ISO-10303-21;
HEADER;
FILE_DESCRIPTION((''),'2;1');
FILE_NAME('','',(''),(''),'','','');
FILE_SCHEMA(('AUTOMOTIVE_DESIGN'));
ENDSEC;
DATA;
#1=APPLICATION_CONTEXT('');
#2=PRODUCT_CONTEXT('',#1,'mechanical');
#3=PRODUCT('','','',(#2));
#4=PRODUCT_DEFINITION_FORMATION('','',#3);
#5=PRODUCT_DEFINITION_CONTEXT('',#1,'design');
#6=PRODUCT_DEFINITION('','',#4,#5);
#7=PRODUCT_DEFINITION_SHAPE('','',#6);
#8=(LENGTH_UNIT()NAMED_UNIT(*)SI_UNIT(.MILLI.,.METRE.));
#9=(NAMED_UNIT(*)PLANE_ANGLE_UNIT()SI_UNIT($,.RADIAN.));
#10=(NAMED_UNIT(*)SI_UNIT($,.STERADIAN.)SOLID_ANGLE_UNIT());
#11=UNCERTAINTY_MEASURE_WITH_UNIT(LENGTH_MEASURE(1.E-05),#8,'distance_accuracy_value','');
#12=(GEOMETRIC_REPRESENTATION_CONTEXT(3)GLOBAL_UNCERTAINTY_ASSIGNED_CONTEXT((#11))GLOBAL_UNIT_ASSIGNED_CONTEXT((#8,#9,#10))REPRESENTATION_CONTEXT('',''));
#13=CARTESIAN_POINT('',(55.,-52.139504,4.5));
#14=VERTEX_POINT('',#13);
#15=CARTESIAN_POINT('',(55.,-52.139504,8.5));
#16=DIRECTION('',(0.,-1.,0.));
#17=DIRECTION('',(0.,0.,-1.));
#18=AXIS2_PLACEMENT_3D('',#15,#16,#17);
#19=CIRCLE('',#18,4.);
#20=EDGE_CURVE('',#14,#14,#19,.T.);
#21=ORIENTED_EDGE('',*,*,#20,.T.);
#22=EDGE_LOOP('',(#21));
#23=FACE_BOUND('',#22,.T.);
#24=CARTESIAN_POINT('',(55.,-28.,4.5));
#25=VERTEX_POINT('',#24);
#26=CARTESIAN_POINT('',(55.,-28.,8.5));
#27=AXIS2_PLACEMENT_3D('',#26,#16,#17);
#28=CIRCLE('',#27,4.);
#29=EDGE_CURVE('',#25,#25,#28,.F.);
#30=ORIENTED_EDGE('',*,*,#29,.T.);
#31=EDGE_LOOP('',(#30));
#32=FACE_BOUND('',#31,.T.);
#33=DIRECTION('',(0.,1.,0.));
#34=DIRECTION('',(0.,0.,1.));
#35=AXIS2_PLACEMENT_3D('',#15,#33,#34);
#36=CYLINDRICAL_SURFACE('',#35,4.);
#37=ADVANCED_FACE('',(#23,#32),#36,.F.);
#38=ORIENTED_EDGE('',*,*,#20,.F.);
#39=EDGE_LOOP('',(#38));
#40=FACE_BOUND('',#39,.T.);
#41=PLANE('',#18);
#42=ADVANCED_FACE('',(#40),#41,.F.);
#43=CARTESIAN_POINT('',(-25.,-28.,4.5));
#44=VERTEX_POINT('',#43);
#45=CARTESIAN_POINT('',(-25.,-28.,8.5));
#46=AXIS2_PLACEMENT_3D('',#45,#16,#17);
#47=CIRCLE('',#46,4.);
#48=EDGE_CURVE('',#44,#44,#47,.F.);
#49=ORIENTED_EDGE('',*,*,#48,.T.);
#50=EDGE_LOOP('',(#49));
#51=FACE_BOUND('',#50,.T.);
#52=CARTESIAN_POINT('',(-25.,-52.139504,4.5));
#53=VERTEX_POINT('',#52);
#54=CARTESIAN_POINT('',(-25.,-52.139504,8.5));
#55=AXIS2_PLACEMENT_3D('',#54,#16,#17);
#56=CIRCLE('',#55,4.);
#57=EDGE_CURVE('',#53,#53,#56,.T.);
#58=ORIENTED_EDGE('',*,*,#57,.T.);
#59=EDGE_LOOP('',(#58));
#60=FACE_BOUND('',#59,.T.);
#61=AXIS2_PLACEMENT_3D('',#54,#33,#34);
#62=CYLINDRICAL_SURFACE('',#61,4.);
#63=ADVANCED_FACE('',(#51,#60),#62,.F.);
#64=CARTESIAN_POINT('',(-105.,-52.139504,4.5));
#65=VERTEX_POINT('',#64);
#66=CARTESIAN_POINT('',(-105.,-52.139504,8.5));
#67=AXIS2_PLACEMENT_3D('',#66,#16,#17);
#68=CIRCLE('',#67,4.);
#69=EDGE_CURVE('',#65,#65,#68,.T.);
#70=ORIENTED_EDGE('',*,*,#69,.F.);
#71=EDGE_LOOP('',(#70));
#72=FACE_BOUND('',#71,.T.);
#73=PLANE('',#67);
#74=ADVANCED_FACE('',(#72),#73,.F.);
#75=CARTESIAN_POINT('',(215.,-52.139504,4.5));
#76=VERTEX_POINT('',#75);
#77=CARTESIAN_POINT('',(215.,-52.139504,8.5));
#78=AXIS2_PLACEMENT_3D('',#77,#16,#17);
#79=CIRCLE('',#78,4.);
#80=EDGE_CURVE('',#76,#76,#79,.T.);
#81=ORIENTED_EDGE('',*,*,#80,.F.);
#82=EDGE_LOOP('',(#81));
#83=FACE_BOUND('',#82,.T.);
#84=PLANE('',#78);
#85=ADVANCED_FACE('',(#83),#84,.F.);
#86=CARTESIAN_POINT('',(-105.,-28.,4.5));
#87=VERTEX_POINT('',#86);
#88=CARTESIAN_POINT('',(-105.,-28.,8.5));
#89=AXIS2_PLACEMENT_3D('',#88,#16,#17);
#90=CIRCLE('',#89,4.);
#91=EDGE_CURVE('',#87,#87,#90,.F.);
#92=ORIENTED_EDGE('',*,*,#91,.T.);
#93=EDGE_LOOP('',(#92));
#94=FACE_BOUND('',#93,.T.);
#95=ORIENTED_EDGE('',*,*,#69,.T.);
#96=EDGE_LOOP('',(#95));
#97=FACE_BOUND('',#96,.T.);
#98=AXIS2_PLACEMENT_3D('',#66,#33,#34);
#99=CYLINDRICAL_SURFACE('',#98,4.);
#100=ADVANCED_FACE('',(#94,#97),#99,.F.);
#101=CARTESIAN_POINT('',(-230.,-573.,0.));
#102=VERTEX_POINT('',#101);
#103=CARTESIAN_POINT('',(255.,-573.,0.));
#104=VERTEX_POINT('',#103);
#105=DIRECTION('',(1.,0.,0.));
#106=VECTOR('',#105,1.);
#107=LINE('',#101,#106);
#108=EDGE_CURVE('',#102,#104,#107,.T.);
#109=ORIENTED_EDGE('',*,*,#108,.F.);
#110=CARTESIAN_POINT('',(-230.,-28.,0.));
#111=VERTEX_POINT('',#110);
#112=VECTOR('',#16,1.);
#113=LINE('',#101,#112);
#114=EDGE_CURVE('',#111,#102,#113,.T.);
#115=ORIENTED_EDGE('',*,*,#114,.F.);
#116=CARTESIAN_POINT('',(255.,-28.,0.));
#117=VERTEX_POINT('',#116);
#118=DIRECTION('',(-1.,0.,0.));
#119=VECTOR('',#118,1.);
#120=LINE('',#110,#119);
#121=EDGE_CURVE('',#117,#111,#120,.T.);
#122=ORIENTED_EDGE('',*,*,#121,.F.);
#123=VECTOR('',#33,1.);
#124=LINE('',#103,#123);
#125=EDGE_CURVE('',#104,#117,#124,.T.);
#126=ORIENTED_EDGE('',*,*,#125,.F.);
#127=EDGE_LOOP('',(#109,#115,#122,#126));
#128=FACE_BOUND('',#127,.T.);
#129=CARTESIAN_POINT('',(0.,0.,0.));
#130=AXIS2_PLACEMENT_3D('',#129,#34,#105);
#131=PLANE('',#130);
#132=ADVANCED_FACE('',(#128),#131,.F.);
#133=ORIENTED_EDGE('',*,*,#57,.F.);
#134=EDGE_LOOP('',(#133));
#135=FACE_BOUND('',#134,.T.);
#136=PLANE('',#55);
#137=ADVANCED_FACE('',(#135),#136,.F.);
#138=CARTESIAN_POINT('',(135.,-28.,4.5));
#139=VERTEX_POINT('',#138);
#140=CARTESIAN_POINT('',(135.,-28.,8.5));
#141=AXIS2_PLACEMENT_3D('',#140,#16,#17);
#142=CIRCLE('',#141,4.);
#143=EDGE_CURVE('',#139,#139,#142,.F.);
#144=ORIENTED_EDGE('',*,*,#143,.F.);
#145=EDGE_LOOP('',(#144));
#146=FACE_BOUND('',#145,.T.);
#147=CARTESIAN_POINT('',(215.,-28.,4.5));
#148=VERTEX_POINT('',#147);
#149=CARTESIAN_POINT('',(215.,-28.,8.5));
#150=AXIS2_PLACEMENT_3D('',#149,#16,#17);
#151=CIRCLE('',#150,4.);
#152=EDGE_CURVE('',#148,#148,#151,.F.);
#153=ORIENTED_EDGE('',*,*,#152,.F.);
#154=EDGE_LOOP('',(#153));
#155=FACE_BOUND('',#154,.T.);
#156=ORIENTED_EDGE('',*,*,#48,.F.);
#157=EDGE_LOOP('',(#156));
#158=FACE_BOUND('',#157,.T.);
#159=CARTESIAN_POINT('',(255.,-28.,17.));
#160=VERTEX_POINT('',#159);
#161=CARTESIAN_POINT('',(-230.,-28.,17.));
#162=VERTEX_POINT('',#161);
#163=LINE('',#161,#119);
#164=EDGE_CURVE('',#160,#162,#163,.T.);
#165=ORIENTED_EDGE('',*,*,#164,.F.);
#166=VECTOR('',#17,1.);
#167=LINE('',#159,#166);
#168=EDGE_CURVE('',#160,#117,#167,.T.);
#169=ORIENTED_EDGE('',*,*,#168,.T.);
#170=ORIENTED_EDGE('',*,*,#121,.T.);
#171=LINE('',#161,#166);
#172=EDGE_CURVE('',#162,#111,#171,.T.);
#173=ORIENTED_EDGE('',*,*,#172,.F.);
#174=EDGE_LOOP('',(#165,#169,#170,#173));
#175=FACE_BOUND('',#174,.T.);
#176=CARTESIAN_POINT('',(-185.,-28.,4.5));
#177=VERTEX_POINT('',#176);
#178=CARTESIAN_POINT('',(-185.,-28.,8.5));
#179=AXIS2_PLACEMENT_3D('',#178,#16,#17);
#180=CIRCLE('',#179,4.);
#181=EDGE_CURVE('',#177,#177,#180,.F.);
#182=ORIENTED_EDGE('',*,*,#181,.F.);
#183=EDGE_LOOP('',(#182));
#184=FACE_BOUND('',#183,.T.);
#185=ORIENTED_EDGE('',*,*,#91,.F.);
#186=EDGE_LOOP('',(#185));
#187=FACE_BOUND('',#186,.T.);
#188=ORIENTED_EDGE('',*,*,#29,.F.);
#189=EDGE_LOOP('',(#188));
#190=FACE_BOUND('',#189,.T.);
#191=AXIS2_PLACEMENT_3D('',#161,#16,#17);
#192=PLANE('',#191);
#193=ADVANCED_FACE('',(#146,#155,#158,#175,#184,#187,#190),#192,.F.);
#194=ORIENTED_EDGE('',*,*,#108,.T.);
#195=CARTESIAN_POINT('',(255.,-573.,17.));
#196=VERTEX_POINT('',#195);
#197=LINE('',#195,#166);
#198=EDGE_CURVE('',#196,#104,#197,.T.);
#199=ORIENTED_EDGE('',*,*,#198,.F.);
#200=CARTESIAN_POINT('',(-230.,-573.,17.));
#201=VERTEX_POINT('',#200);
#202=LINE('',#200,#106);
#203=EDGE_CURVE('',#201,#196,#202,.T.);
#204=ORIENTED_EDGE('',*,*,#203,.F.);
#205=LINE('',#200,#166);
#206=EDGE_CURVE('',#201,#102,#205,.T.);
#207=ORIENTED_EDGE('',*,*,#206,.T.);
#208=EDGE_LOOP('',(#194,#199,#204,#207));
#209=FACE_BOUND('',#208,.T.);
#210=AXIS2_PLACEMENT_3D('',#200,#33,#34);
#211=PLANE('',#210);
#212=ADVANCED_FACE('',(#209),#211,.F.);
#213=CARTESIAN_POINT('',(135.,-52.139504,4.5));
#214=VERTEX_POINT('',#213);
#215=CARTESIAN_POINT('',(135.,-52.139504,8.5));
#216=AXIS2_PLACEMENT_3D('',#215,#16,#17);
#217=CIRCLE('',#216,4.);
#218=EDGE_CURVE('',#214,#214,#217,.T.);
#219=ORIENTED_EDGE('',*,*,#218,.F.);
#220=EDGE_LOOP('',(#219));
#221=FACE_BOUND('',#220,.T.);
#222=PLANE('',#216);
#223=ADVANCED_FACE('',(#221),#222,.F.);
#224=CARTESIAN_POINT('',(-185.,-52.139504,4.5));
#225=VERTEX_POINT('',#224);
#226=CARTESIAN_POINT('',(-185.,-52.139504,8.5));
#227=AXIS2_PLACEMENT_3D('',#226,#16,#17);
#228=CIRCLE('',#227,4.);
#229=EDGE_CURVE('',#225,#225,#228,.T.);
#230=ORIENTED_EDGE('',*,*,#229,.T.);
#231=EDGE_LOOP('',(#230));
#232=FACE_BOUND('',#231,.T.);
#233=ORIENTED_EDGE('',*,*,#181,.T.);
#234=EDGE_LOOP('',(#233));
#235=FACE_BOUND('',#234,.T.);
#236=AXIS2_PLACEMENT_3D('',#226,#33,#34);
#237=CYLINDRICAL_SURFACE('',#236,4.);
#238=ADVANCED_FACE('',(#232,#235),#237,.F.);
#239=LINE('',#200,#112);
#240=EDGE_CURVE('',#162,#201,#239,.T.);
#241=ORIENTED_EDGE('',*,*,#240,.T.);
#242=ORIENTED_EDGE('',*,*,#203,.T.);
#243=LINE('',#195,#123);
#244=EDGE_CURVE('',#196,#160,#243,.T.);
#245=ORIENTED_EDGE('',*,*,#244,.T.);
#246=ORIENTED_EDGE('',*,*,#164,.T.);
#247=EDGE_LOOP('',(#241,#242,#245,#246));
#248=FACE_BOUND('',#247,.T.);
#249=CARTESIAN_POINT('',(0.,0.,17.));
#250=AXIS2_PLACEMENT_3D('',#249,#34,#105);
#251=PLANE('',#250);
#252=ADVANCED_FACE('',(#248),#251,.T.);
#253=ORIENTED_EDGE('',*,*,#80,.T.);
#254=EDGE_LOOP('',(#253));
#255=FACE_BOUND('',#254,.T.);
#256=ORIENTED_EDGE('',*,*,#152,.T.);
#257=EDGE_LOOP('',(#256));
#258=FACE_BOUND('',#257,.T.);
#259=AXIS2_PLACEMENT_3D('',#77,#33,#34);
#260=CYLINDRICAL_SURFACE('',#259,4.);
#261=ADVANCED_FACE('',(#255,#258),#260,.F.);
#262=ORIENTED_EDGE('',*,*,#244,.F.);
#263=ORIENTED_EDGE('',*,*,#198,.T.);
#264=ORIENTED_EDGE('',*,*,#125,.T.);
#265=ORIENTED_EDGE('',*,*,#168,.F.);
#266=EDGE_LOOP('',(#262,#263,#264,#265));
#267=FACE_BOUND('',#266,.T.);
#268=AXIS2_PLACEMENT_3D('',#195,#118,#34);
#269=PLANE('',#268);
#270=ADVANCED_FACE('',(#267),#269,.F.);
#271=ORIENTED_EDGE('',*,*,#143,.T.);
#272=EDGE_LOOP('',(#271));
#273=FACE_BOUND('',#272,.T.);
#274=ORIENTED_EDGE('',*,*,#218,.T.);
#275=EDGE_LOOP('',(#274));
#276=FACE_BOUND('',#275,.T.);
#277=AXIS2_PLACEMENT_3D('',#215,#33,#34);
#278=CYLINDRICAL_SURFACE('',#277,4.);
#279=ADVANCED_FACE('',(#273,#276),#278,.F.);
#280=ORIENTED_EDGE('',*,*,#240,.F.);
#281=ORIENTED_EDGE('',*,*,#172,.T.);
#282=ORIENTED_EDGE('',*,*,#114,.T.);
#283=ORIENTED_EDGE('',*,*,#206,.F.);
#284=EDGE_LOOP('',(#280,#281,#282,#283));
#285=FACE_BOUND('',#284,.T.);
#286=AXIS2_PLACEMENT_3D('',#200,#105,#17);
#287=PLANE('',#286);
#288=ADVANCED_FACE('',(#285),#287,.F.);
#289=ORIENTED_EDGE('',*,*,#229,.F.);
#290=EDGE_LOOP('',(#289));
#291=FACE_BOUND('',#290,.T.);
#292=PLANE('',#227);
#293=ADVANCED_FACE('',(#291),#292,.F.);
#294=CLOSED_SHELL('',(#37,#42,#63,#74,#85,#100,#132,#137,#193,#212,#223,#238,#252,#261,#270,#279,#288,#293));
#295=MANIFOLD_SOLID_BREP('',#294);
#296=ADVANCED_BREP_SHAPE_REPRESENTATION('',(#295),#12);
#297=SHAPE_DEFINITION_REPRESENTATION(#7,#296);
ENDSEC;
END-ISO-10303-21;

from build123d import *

# Parameters (mm, degrees)
SKETCH1_W               = 485
SKETCH1_H               = 545
BOSS_EXTRUDE1_DEPTH     = 17
CUT_EXTRUDE3_DEPTH      = 25
CUT_EXTRUDE3_DEPTH_BACK = 13
SKETCH4_R               = 4


with BuildPart() as part:
    # Sketch1 → Boss-Extrude1 (new body)
    with BuildSketch(Plane.XY):
        with Locations((12.5, -300.5)):
            Rectangle(SKETCH1_W, SKETCH1_H)
    extrude(amount=BOSS_EXTRUDE1_DEPTH)

    # Sketch4 → Cut-Extrude3 (cut, two sides: drawn at the far end of the back side and taken through both)
    with BuildSketch(Plane(origin=(5, -27.139504096, 249), x_dir=(0, 0, 1), z_dir=(0, -1, 0)).offset(-CUT_EXTRUDE3_DEPTH_BACK)):
        with Locations(Location((-240.5, -210, 0), (0, 0, 180))):
            Circle(SKETCH4_R)
        with Locations(Location((-240.5, -130, 0), (0, 0, 180))):
            Circle(SKETCH4_R)
        with Locations(Location((-240.5, -50, 0), (0, 0, 180))):
            Circle(SKETCH4_R)
        with Locations(Location((-240.5, 30, 0), (0, 0, 180))):
            Circle(SKETCH4_R)
        with Locations(Location((-240.5, 110, 0), (0, 0, 180))):
            Circle(SKETCH4_R)
        with Locations(Location((-240.5, 190, 0), (0, 0, 180))):
            Circle(SKETCH4_R)
    extrude(amount=CUT_EXTRUDE3_DEPTH + CUT_EXTRUDE3_DEPTH_BACK, mode=Mode.SUBTRACT)


solid = part.part
